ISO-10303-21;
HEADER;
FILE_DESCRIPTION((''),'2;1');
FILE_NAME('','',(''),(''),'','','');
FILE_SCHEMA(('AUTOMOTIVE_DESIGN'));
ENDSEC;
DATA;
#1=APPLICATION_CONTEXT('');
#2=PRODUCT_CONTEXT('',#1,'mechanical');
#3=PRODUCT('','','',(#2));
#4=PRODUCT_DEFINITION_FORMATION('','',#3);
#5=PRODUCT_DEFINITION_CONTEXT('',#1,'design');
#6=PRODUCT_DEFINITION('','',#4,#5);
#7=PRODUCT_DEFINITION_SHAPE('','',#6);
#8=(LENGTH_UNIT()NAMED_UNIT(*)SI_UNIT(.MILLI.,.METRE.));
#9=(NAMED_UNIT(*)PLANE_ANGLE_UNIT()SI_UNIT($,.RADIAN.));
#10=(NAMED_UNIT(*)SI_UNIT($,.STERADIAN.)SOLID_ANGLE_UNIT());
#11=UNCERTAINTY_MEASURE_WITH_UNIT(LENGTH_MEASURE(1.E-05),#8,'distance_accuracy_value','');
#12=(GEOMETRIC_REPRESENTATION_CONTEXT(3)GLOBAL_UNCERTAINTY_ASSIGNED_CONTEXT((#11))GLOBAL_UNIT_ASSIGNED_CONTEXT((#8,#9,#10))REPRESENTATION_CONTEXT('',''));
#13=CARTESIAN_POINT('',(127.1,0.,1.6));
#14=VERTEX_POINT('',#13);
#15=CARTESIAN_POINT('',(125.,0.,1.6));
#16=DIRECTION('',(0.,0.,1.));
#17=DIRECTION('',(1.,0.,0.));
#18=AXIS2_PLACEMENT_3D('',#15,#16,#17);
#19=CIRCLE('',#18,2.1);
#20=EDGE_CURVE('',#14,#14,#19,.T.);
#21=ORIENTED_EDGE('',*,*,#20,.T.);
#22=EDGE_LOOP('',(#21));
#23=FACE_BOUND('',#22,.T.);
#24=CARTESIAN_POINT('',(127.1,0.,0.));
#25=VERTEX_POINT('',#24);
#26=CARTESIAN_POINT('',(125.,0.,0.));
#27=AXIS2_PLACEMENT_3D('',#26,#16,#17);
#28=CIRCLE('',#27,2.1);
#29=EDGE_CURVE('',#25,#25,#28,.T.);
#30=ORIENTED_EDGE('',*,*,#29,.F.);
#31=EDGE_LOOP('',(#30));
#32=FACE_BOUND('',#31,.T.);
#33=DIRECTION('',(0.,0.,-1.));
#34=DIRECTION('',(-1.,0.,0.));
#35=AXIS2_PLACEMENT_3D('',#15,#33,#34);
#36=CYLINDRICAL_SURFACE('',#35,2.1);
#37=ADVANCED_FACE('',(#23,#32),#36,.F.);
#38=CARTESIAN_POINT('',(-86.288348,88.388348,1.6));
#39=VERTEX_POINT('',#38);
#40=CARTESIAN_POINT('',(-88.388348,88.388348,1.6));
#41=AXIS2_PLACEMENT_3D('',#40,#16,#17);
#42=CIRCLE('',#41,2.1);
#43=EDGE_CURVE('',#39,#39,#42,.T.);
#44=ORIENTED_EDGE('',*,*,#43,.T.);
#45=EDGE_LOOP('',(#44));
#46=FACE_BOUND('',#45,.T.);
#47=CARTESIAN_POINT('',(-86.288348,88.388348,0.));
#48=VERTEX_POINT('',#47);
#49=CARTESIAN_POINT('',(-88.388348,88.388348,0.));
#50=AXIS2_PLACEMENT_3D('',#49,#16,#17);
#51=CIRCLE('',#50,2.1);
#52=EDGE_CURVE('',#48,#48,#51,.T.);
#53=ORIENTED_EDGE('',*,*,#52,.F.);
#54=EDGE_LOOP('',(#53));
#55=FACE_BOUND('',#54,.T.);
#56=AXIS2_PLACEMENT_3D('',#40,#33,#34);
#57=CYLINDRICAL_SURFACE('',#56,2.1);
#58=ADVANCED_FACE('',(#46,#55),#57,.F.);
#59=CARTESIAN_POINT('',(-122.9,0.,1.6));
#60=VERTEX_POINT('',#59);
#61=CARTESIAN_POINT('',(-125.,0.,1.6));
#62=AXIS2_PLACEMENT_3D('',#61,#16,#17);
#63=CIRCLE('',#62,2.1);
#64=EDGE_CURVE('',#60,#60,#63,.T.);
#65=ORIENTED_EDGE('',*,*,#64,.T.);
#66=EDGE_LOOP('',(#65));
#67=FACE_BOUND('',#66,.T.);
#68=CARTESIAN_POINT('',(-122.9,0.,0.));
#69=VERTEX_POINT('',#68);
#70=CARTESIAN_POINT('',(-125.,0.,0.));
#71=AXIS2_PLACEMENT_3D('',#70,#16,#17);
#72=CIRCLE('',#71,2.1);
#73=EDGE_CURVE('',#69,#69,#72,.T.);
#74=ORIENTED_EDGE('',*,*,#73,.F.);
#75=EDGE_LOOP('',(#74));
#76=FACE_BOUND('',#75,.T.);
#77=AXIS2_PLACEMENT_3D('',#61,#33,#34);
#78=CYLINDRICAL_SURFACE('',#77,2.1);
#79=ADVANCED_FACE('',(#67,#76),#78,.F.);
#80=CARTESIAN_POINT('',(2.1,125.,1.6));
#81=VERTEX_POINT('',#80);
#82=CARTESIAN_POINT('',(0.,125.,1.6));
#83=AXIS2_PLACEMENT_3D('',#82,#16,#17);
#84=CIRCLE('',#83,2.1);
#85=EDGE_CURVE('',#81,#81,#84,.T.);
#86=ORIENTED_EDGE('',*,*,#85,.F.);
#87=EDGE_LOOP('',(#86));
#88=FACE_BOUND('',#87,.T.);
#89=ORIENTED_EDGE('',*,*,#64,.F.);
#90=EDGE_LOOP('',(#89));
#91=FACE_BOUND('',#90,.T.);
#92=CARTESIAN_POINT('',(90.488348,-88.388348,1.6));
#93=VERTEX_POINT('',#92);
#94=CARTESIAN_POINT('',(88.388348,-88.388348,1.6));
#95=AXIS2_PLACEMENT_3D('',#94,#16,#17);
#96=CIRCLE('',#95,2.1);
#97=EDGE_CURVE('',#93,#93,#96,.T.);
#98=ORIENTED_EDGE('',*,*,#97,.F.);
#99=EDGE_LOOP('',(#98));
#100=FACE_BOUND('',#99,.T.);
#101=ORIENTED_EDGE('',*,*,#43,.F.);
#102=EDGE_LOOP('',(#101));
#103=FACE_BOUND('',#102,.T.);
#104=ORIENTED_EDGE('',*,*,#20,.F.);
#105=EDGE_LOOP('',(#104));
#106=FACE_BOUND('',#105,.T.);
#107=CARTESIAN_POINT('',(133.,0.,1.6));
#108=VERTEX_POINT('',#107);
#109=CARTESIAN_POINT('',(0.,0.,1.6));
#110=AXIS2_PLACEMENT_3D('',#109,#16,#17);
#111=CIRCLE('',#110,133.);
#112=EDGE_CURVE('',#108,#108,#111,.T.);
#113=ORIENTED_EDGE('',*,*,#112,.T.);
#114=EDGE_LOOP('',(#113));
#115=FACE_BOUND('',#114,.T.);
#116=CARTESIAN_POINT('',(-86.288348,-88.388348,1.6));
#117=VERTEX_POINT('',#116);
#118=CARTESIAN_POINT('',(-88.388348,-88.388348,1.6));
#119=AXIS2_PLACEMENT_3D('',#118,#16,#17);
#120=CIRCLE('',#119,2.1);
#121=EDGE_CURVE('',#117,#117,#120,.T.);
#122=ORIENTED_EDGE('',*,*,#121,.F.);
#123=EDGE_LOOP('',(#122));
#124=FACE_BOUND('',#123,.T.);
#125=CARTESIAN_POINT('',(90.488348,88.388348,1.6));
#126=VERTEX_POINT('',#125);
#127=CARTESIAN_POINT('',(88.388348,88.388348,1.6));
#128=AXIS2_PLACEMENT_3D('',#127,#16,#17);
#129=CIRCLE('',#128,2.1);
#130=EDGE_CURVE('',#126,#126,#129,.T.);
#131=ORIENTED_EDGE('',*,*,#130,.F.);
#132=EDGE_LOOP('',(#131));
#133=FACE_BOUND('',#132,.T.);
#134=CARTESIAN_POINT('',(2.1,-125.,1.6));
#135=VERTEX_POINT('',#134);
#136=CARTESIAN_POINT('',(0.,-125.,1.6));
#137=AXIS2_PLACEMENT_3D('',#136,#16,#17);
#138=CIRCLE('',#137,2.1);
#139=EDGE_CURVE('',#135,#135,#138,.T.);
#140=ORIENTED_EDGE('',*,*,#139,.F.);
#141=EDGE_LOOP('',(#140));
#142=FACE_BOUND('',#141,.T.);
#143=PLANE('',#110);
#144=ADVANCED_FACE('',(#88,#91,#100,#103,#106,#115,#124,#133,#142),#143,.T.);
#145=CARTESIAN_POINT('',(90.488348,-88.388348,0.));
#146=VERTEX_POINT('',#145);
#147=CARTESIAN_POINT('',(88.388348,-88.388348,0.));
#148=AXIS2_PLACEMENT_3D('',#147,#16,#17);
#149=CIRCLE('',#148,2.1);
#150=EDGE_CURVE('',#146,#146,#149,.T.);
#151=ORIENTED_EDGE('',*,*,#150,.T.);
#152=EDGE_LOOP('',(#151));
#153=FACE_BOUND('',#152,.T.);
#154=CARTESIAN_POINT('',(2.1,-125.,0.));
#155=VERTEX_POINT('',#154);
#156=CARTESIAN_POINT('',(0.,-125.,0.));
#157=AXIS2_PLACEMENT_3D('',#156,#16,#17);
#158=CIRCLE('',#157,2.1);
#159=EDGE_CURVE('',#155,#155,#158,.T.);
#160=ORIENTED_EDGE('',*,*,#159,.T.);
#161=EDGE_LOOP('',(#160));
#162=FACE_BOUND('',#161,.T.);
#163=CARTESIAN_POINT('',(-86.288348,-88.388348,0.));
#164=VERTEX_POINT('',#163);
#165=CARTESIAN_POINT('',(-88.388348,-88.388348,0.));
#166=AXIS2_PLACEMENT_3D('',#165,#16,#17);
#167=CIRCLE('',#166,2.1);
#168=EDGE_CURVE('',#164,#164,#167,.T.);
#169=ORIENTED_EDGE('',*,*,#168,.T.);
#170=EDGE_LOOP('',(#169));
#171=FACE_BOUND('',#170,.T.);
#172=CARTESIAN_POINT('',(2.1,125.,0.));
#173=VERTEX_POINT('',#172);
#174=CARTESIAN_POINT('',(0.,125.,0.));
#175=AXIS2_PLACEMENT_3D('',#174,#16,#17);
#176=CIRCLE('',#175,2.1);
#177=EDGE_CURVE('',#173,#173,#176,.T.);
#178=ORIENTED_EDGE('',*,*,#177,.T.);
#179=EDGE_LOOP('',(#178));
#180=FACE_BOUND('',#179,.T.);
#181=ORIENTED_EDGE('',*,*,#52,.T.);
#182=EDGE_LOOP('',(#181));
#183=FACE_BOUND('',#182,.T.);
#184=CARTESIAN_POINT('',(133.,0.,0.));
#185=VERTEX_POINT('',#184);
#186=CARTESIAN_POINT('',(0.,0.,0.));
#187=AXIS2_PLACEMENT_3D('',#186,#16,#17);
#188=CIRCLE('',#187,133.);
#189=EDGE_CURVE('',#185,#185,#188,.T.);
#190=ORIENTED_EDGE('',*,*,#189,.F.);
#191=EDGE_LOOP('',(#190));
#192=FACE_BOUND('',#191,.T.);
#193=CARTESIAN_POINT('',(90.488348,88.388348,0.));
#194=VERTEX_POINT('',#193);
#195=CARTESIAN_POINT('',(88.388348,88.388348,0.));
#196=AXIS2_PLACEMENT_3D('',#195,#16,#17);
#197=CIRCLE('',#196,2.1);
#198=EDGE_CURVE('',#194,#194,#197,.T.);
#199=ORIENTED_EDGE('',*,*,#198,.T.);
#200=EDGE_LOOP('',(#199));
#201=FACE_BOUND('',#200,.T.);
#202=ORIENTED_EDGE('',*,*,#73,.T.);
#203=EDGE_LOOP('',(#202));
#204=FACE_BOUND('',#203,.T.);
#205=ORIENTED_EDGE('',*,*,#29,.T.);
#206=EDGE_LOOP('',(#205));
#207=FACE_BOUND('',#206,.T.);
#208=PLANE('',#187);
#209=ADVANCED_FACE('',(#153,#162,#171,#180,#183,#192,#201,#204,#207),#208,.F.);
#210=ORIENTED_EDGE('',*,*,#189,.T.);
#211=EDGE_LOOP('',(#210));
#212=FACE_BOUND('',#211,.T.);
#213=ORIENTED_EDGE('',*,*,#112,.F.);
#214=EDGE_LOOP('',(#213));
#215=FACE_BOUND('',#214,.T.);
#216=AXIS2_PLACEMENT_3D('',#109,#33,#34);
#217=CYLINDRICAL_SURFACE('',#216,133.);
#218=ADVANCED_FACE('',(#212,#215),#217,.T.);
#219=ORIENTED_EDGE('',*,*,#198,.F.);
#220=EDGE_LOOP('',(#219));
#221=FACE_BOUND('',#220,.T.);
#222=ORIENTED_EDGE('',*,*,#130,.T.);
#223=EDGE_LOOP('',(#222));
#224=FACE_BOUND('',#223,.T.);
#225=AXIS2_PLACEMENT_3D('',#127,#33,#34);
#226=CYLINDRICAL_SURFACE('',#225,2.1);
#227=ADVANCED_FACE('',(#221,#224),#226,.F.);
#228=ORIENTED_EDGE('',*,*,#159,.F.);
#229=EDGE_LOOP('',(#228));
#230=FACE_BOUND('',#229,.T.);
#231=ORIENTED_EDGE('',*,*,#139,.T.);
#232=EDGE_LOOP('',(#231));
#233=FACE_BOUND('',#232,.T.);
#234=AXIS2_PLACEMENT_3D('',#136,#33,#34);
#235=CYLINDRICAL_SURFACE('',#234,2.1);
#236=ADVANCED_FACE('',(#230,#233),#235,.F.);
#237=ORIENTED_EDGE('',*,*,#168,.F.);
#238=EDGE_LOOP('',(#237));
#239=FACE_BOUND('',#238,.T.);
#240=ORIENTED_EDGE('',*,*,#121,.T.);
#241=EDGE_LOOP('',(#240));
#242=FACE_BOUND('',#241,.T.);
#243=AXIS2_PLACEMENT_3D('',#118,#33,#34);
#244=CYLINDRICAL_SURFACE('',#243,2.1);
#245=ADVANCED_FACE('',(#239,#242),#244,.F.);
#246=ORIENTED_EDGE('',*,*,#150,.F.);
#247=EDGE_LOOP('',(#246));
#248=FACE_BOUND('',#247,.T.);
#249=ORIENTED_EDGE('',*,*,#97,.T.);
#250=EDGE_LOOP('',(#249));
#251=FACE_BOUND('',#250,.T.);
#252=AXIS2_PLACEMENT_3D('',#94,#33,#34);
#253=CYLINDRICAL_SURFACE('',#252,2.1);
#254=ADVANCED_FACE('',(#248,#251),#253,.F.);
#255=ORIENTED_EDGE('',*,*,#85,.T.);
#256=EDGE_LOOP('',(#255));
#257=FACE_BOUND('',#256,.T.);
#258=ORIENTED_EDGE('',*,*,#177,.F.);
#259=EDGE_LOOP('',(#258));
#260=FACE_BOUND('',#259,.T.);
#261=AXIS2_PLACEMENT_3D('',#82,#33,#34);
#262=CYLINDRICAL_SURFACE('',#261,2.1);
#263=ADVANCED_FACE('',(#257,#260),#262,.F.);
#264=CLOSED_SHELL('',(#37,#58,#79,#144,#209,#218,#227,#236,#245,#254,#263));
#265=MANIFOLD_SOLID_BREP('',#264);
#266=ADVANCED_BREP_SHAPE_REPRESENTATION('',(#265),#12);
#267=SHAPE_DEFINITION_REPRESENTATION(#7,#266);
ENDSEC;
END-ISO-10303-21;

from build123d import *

# Parameters (mm, degrees)
SKETCH1_R           = 133
SKETCH1_R_2         = 2.1
BOSS_EXTRUDE2_DEPTH = 1.6


with BuildPart() as part:
    # Sketch1 → Boss-Extrude2 (new body)
    with BuildSketch(Plane.XY):
        Circle(SKETCH1_R)
        with Locations((0, 125)):
            Circle(SKETCH1_R_2, mode=Mode.SUBTRACT)
        with Locations((88.388347648, 88.388347648)):
            Circle(SKETCH1_R_2, mode=Mode.SUBTRACT)
        with Locations((125, 0)):
            Circle(SKETCH1_R_2, mode=Mode.SUBTRACT)
        with Locations((88.388347648, -88.388347648)):
            Circle(SKETCH1_R_2, mode=Mode.SUBTRACT)
        with Locations((0, -125)):
            Circle(SKETCH1_R_2, mode=Mode.SUBTRACT)
        with Locations((-88.388347648, -88.388347648)):
            Circle(SKETCH1_R_2, mode=Mode.SUBTRACT)
        with Locations((-125, 0)):
            Circle(SKETCH1_R_2, mode=Mode.SUBTRACT)
        with Locations((-88.388347648, 88.388347648)):
            Circle(SKETCH1_R_2, mode=Mode.SUBTRACT)
    extrude(amount=BOSS_EXTRUDE2_DEPTH)


solid = part.part
